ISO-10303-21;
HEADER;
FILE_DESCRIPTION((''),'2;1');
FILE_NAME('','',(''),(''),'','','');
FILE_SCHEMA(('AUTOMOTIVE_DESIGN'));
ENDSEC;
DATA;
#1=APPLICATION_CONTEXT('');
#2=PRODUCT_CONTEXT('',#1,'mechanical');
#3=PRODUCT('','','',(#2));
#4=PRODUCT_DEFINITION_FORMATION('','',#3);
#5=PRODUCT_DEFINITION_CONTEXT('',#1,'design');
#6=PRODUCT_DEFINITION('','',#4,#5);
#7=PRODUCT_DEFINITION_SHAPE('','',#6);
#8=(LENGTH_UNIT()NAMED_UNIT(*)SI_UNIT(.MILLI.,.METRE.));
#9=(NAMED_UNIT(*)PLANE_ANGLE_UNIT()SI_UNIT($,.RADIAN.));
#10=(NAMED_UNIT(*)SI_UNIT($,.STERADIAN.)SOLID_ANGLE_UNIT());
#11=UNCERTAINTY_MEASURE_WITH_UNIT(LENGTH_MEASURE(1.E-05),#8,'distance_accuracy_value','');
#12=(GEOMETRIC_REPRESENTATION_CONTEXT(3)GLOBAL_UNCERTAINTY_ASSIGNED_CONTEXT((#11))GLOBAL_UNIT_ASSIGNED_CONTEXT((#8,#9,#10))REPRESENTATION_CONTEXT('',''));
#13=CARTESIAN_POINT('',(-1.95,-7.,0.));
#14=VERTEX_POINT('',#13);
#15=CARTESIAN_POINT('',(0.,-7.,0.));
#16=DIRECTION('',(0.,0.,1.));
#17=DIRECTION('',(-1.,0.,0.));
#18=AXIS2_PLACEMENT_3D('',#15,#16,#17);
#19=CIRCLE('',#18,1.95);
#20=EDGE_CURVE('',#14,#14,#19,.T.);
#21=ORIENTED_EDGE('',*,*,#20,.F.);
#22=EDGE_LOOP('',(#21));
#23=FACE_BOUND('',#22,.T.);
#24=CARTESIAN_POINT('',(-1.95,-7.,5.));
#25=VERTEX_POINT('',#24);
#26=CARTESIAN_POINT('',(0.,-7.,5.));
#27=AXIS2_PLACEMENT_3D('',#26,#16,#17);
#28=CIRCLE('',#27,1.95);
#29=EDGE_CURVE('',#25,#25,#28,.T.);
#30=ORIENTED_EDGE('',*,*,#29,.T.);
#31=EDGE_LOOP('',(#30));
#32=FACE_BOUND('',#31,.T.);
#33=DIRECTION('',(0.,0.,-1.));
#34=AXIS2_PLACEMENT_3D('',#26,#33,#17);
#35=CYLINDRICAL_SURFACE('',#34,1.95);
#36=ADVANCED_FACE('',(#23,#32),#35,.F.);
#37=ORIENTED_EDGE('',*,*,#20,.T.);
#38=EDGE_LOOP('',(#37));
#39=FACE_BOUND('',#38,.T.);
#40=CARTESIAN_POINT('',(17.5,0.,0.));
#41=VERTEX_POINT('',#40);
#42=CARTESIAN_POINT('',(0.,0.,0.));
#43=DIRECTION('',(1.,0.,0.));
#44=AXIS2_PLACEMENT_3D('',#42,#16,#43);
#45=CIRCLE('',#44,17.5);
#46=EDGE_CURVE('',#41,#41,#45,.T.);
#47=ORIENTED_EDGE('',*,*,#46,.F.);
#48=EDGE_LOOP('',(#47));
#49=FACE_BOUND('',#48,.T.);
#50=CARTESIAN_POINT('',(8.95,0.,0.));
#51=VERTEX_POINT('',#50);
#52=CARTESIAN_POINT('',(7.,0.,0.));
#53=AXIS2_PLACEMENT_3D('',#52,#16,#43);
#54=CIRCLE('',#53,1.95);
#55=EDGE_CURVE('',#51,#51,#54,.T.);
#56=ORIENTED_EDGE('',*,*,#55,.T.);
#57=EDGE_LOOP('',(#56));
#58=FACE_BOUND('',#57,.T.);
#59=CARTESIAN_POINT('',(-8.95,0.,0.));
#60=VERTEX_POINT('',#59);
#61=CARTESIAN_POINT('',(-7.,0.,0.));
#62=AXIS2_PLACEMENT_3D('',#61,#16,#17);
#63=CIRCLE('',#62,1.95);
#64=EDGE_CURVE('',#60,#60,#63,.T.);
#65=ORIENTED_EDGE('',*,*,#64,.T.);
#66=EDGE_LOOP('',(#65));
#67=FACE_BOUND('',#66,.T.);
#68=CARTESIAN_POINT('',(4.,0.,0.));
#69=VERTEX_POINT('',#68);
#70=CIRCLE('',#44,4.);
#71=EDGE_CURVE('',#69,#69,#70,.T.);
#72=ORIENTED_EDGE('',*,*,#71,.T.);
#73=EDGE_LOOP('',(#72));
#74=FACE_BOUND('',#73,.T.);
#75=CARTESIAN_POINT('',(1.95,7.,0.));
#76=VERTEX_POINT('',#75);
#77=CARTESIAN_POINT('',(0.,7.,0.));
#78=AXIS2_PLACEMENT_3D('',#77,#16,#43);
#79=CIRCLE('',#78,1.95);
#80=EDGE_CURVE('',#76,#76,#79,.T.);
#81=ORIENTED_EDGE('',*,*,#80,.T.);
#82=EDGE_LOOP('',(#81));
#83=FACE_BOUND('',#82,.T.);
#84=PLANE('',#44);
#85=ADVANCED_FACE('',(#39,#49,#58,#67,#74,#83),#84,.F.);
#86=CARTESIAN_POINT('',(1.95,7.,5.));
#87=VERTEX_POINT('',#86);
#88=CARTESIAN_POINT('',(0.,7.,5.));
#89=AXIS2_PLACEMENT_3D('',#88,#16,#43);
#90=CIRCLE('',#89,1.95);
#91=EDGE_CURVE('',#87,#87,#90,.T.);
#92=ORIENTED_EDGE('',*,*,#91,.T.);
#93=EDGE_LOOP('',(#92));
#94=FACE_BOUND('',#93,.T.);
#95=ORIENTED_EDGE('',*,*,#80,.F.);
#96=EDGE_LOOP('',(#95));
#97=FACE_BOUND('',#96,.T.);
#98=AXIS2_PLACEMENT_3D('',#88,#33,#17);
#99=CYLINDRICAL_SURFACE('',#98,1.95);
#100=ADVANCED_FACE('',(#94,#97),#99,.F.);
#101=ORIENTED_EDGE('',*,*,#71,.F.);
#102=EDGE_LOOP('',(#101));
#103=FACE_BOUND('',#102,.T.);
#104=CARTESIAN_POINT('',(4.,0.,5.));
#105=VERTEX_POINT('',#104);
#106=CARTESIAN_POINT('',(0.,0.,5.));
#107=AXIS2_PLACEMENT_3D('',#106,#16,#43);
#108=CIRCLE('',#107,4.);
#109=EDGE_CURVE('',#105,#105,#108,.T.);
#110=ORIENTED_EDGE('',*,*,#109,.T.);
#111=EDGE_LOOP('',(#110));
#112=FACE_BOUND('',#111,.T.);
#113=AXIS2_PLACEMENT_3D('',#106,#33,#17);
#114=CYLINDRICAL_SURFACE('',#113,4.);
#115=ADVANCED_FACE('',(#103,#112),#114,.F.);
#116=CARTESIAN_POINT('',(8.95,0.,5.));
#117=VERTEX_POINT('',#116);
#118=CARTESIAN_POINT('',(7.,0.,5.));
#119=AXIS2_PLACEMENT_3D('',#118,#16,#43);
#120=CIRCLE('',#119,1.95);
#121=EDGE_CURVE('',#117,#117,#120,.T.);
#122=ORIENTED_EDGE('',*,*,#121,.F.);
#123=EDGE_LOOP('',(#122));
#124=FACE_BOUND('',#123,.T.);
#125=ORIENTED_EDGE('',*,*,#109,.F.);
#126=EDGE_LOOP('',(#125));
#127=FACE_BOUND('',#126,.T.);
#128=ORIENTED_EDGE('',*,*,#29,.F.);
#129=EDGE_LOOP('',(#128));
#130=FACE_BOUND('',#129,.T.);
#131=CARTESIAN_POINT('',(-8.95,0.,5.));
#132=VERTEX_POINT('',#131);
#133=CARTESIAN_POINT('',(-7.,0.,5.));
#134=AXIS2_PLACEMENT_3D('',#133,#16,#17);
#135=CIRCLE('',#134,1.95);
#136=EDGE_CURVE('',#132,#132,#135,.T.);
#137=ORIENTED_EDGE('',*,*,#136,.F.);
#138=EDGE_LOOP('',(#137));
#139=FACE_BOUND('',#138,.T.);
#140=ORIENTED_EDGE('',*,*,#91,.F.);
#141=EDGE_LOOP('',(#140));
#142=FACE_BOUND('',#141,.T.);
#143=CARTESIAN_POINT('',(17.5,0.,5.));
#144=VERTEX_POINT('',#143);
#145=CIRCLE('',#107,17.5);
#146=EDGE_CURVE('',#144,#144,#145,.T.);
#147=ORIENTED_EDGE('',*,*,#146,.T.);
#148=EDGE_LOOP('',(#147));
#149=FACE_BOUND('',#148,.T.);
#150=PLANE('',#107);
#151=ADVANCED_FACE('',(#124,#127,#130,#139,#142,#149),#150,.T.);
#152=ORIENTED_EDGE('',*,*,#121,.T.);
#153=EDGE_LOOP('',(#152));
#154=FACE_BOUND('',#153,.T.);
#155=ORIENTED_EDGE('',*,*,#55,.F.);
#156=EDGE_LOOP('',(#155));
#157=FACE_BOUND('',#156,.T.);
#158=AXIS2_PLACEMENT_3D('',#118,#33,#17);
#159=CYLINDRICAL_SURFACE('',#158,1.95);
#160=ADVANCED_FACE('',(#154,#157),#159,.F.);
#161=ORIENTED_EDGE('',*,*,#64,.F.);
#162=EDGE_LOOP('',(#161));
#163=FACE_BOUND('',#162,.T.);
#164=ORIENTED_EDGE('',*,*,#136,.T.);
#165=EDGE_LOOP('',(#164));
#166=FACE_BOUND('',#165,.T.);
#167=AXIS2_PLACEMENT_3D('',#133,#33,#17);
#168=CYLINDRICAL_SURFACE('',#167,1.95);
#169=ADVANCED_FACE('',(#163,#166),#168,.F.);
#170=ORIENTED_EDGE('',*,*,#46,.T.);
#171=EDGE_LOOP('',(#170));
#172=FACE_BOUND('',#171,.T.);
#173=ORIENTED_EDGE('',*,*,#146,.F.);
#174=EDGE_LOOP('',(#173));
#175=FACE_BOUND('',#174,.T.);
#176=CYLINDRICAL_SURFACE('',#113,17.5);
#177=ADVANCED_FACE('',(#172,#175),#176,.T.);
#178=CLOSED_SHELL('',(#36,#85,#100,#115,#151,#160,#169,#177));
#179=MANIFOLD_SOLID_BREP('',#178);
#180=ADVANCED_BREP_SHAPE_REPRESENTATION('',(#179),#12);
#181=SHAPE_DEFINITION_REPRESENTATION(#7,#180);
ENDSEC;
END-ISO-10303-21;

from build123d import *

# Parameters (mm, degrees)
SKETCH1_R           = 17.5
SKETCH1_R_2         = 4
SKETCH1_R_3         = 1.95
BOSS_EXTRUDE1_DEPTH = 5


with BuildPart() as part:
    # Sketch1 → Boss-Extrude1 (new body)
    with BuildSketch(Plane.XY):
        Circle(SKETCH1_R)
        Circle(SKETCH1_R_2, mode=Mode.SUBTRACT)
        with Locations((7, 0)):
            Circle(SKETCH1_R_3, mode=Mode.SUBTRACT)
        with Locations((0, 7)):
            Circle(SKETCH1_R_3, mode=Mode.SUBTRACT)
        with Locations(Location((0, -7, 0), (0, 0, 180))):
            Circle(SKETCH1_R_3, mode=Mode.SUBTRACT)
        with Locations(Location((-7, 0, 0), (0, 0, 180))):
            Circle(SKETCH1_R_3, mode=Mode.SUBTRACT)
    extrude(amount=BOSS_EXTRUDE1_DEPTH)


solid = part.part
